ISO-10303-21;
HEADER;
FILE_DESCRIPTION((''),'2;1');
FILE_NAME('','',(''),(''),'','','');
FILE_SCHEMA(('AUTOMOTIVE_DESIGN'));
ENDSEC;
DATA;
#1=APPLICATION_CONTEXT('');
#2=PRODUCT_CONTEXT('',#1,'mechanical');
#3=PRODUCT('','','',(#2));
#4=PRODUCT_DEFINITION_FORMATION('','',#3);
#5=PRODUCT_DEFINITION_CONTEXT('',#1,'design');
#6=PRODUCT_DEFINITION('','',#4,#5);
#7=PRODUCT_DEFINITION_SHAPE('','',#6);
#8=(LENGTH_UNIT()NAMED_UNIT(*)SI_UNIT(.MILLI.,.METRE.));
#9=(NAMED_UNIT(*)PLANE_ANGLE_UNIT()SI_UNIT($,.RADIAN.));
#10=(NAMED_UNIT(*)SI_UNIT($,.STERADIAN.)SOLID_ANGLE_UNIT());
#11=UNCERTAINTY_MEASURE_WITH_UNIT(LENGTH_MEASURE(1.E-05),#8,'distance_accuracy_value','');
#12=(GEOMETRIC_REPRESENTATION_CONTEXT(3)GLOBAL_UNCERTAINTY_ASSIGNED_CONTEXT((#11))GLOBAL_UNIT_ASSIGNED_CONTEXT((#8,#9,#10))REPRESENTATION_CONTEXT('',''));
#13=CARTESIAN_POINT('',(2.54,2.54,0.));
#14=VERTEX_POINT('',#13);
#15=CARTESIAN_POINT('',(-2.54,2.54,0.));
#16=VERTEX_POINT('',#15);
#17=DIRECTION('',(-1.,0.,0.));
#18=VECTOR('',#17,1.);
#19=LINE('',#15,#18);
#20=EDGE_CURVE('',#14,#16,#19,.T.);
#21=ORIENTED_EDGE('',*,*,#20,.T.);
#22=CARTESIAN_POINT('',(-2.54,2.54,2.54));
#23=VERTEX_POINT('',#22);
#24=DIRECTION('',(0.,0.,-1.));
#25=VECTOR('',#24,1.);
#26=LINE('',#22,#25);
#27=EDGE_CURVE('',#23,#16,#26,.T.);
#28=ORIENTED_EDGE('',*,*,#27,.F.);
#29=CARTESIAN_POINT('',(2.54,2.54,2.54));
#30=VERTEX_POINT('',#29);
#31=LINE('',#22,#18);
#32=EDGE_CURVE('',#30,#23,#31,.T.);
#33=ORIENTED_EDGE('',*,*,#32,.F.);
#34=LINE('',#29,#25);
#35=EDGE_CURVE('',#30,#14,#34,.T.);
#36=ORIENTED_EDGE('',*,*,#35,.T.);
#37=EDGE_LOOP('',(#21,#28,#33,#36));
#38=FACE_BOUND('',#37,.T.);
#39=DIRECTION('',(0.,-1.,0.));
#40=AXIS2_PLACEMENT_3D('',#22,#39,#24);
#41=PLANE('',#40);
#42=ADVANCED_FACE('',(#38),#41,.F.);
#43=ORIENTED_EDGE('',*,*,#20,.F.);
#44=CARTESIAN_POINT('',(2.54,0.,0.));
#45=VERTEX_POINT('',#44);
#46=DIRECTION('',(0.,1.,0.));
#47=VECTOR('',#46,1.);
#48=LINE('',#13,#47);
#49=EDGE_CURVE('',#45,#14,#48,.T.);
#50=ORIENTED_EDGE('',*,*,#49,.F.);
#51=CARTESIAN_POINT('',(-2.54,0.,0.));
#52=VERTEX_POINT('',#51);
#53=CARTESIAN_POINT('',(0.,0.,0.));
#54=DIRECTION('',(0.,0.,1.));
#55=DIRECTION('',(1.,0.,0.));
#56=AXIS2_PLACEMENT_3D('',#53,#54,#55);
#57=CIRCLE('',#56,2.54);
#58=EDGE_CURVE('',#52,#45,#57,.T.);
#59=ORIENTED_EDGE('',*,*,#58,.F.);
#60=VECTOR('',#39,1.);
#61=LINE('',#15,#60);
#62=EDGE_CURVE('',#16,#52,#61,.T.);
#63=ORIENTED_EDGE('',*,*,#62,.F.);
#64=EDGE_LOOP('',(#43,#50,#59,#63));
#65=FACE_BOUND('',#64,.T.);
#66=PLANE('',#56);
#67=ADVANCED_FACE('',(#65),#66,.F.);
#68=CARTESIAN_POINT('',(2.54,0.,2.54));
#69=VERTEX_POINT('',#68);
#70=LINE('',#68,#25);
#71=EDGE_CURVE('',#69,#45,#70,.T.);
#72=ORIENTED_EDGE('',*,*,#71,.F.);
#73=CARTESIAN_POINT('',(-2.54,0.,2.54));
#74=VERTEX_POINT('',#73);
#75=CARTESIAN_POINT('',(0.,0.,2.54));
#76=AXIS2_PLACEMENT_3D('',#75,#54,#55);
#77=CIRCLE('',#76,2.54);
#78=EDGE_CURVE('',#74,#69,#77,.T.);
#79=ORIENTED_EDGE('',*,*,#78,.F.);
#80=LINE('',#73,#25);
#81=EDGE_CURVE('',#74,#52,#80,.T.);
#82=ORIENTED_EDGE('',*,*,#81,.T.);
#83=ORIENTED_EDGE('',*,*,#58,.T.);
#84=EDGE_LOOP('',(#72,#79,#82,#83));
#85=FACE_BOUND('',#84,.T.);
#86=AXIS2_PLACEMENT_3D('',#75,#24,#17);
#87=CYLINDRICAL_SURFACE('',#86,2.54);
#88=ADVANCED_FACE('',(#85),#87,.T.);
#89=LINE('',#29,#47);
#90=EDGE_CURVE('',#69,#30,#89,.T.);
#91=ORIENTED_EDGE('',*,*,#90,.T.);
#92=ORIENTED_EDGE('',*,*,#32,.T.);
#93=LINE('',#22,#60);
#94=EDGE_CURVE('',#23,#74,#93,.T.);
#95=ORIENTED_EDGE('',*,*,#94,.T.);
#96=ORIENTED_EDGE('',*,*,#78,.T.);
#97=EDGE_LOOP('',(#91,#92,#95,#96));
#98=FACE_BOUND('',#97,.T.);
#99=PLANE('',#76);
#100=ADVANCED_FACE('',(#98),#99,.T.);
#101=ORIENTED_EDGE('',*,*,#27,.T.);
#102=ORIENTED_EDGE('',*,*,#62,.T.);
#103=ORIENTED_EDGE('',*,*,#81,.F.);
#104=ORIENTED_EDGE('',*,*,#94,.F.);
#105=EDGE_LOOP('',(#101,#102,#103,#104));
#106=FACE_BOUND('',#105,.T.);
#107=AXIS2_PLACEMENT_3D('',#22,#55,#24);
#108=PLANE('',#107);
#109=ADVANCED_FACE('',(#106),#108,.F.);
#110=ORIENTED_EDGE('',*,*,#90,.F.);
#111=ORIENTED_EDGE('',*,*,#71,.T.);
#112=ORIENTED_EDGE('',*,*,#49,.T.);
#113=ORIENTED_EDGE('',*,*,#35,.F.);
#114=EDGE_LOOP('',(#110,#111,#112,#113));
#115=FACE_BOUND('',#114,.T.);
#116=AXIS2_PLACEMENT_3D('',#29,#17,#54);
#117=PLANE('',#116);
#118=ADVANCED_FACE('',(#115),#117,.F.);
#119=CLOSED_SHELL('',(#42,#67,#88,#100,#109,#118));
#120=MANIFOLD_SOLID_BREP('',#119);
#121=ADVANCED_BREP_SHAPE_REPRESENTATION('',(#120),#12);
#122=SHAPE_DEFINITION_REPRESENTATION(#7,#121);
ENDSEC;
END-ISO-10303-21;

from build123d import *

# Parameters (mm, degrees)
BOSS_EXTRUDE1_DEPTH = 2.54


with BuildPart() as part:
    # Sketch1 → Boss-Extrude1 (new body)
    with BuildSketch(Plane.XY):
        with BuildLine():
            Line((-2.54, 2.54), (-2.54, 0))
            ThreePointArc((-2.54, 0), (0, -2.54), (2.54, 0))
            Line((2.54, 0), (2.54, 2.54))
            Line((2.54, 2.54), (-2.54, 2.54))
        make_face()
    extrude(amount=BOSS_EXTRUDE1_DEPTH)


solid = part.part
